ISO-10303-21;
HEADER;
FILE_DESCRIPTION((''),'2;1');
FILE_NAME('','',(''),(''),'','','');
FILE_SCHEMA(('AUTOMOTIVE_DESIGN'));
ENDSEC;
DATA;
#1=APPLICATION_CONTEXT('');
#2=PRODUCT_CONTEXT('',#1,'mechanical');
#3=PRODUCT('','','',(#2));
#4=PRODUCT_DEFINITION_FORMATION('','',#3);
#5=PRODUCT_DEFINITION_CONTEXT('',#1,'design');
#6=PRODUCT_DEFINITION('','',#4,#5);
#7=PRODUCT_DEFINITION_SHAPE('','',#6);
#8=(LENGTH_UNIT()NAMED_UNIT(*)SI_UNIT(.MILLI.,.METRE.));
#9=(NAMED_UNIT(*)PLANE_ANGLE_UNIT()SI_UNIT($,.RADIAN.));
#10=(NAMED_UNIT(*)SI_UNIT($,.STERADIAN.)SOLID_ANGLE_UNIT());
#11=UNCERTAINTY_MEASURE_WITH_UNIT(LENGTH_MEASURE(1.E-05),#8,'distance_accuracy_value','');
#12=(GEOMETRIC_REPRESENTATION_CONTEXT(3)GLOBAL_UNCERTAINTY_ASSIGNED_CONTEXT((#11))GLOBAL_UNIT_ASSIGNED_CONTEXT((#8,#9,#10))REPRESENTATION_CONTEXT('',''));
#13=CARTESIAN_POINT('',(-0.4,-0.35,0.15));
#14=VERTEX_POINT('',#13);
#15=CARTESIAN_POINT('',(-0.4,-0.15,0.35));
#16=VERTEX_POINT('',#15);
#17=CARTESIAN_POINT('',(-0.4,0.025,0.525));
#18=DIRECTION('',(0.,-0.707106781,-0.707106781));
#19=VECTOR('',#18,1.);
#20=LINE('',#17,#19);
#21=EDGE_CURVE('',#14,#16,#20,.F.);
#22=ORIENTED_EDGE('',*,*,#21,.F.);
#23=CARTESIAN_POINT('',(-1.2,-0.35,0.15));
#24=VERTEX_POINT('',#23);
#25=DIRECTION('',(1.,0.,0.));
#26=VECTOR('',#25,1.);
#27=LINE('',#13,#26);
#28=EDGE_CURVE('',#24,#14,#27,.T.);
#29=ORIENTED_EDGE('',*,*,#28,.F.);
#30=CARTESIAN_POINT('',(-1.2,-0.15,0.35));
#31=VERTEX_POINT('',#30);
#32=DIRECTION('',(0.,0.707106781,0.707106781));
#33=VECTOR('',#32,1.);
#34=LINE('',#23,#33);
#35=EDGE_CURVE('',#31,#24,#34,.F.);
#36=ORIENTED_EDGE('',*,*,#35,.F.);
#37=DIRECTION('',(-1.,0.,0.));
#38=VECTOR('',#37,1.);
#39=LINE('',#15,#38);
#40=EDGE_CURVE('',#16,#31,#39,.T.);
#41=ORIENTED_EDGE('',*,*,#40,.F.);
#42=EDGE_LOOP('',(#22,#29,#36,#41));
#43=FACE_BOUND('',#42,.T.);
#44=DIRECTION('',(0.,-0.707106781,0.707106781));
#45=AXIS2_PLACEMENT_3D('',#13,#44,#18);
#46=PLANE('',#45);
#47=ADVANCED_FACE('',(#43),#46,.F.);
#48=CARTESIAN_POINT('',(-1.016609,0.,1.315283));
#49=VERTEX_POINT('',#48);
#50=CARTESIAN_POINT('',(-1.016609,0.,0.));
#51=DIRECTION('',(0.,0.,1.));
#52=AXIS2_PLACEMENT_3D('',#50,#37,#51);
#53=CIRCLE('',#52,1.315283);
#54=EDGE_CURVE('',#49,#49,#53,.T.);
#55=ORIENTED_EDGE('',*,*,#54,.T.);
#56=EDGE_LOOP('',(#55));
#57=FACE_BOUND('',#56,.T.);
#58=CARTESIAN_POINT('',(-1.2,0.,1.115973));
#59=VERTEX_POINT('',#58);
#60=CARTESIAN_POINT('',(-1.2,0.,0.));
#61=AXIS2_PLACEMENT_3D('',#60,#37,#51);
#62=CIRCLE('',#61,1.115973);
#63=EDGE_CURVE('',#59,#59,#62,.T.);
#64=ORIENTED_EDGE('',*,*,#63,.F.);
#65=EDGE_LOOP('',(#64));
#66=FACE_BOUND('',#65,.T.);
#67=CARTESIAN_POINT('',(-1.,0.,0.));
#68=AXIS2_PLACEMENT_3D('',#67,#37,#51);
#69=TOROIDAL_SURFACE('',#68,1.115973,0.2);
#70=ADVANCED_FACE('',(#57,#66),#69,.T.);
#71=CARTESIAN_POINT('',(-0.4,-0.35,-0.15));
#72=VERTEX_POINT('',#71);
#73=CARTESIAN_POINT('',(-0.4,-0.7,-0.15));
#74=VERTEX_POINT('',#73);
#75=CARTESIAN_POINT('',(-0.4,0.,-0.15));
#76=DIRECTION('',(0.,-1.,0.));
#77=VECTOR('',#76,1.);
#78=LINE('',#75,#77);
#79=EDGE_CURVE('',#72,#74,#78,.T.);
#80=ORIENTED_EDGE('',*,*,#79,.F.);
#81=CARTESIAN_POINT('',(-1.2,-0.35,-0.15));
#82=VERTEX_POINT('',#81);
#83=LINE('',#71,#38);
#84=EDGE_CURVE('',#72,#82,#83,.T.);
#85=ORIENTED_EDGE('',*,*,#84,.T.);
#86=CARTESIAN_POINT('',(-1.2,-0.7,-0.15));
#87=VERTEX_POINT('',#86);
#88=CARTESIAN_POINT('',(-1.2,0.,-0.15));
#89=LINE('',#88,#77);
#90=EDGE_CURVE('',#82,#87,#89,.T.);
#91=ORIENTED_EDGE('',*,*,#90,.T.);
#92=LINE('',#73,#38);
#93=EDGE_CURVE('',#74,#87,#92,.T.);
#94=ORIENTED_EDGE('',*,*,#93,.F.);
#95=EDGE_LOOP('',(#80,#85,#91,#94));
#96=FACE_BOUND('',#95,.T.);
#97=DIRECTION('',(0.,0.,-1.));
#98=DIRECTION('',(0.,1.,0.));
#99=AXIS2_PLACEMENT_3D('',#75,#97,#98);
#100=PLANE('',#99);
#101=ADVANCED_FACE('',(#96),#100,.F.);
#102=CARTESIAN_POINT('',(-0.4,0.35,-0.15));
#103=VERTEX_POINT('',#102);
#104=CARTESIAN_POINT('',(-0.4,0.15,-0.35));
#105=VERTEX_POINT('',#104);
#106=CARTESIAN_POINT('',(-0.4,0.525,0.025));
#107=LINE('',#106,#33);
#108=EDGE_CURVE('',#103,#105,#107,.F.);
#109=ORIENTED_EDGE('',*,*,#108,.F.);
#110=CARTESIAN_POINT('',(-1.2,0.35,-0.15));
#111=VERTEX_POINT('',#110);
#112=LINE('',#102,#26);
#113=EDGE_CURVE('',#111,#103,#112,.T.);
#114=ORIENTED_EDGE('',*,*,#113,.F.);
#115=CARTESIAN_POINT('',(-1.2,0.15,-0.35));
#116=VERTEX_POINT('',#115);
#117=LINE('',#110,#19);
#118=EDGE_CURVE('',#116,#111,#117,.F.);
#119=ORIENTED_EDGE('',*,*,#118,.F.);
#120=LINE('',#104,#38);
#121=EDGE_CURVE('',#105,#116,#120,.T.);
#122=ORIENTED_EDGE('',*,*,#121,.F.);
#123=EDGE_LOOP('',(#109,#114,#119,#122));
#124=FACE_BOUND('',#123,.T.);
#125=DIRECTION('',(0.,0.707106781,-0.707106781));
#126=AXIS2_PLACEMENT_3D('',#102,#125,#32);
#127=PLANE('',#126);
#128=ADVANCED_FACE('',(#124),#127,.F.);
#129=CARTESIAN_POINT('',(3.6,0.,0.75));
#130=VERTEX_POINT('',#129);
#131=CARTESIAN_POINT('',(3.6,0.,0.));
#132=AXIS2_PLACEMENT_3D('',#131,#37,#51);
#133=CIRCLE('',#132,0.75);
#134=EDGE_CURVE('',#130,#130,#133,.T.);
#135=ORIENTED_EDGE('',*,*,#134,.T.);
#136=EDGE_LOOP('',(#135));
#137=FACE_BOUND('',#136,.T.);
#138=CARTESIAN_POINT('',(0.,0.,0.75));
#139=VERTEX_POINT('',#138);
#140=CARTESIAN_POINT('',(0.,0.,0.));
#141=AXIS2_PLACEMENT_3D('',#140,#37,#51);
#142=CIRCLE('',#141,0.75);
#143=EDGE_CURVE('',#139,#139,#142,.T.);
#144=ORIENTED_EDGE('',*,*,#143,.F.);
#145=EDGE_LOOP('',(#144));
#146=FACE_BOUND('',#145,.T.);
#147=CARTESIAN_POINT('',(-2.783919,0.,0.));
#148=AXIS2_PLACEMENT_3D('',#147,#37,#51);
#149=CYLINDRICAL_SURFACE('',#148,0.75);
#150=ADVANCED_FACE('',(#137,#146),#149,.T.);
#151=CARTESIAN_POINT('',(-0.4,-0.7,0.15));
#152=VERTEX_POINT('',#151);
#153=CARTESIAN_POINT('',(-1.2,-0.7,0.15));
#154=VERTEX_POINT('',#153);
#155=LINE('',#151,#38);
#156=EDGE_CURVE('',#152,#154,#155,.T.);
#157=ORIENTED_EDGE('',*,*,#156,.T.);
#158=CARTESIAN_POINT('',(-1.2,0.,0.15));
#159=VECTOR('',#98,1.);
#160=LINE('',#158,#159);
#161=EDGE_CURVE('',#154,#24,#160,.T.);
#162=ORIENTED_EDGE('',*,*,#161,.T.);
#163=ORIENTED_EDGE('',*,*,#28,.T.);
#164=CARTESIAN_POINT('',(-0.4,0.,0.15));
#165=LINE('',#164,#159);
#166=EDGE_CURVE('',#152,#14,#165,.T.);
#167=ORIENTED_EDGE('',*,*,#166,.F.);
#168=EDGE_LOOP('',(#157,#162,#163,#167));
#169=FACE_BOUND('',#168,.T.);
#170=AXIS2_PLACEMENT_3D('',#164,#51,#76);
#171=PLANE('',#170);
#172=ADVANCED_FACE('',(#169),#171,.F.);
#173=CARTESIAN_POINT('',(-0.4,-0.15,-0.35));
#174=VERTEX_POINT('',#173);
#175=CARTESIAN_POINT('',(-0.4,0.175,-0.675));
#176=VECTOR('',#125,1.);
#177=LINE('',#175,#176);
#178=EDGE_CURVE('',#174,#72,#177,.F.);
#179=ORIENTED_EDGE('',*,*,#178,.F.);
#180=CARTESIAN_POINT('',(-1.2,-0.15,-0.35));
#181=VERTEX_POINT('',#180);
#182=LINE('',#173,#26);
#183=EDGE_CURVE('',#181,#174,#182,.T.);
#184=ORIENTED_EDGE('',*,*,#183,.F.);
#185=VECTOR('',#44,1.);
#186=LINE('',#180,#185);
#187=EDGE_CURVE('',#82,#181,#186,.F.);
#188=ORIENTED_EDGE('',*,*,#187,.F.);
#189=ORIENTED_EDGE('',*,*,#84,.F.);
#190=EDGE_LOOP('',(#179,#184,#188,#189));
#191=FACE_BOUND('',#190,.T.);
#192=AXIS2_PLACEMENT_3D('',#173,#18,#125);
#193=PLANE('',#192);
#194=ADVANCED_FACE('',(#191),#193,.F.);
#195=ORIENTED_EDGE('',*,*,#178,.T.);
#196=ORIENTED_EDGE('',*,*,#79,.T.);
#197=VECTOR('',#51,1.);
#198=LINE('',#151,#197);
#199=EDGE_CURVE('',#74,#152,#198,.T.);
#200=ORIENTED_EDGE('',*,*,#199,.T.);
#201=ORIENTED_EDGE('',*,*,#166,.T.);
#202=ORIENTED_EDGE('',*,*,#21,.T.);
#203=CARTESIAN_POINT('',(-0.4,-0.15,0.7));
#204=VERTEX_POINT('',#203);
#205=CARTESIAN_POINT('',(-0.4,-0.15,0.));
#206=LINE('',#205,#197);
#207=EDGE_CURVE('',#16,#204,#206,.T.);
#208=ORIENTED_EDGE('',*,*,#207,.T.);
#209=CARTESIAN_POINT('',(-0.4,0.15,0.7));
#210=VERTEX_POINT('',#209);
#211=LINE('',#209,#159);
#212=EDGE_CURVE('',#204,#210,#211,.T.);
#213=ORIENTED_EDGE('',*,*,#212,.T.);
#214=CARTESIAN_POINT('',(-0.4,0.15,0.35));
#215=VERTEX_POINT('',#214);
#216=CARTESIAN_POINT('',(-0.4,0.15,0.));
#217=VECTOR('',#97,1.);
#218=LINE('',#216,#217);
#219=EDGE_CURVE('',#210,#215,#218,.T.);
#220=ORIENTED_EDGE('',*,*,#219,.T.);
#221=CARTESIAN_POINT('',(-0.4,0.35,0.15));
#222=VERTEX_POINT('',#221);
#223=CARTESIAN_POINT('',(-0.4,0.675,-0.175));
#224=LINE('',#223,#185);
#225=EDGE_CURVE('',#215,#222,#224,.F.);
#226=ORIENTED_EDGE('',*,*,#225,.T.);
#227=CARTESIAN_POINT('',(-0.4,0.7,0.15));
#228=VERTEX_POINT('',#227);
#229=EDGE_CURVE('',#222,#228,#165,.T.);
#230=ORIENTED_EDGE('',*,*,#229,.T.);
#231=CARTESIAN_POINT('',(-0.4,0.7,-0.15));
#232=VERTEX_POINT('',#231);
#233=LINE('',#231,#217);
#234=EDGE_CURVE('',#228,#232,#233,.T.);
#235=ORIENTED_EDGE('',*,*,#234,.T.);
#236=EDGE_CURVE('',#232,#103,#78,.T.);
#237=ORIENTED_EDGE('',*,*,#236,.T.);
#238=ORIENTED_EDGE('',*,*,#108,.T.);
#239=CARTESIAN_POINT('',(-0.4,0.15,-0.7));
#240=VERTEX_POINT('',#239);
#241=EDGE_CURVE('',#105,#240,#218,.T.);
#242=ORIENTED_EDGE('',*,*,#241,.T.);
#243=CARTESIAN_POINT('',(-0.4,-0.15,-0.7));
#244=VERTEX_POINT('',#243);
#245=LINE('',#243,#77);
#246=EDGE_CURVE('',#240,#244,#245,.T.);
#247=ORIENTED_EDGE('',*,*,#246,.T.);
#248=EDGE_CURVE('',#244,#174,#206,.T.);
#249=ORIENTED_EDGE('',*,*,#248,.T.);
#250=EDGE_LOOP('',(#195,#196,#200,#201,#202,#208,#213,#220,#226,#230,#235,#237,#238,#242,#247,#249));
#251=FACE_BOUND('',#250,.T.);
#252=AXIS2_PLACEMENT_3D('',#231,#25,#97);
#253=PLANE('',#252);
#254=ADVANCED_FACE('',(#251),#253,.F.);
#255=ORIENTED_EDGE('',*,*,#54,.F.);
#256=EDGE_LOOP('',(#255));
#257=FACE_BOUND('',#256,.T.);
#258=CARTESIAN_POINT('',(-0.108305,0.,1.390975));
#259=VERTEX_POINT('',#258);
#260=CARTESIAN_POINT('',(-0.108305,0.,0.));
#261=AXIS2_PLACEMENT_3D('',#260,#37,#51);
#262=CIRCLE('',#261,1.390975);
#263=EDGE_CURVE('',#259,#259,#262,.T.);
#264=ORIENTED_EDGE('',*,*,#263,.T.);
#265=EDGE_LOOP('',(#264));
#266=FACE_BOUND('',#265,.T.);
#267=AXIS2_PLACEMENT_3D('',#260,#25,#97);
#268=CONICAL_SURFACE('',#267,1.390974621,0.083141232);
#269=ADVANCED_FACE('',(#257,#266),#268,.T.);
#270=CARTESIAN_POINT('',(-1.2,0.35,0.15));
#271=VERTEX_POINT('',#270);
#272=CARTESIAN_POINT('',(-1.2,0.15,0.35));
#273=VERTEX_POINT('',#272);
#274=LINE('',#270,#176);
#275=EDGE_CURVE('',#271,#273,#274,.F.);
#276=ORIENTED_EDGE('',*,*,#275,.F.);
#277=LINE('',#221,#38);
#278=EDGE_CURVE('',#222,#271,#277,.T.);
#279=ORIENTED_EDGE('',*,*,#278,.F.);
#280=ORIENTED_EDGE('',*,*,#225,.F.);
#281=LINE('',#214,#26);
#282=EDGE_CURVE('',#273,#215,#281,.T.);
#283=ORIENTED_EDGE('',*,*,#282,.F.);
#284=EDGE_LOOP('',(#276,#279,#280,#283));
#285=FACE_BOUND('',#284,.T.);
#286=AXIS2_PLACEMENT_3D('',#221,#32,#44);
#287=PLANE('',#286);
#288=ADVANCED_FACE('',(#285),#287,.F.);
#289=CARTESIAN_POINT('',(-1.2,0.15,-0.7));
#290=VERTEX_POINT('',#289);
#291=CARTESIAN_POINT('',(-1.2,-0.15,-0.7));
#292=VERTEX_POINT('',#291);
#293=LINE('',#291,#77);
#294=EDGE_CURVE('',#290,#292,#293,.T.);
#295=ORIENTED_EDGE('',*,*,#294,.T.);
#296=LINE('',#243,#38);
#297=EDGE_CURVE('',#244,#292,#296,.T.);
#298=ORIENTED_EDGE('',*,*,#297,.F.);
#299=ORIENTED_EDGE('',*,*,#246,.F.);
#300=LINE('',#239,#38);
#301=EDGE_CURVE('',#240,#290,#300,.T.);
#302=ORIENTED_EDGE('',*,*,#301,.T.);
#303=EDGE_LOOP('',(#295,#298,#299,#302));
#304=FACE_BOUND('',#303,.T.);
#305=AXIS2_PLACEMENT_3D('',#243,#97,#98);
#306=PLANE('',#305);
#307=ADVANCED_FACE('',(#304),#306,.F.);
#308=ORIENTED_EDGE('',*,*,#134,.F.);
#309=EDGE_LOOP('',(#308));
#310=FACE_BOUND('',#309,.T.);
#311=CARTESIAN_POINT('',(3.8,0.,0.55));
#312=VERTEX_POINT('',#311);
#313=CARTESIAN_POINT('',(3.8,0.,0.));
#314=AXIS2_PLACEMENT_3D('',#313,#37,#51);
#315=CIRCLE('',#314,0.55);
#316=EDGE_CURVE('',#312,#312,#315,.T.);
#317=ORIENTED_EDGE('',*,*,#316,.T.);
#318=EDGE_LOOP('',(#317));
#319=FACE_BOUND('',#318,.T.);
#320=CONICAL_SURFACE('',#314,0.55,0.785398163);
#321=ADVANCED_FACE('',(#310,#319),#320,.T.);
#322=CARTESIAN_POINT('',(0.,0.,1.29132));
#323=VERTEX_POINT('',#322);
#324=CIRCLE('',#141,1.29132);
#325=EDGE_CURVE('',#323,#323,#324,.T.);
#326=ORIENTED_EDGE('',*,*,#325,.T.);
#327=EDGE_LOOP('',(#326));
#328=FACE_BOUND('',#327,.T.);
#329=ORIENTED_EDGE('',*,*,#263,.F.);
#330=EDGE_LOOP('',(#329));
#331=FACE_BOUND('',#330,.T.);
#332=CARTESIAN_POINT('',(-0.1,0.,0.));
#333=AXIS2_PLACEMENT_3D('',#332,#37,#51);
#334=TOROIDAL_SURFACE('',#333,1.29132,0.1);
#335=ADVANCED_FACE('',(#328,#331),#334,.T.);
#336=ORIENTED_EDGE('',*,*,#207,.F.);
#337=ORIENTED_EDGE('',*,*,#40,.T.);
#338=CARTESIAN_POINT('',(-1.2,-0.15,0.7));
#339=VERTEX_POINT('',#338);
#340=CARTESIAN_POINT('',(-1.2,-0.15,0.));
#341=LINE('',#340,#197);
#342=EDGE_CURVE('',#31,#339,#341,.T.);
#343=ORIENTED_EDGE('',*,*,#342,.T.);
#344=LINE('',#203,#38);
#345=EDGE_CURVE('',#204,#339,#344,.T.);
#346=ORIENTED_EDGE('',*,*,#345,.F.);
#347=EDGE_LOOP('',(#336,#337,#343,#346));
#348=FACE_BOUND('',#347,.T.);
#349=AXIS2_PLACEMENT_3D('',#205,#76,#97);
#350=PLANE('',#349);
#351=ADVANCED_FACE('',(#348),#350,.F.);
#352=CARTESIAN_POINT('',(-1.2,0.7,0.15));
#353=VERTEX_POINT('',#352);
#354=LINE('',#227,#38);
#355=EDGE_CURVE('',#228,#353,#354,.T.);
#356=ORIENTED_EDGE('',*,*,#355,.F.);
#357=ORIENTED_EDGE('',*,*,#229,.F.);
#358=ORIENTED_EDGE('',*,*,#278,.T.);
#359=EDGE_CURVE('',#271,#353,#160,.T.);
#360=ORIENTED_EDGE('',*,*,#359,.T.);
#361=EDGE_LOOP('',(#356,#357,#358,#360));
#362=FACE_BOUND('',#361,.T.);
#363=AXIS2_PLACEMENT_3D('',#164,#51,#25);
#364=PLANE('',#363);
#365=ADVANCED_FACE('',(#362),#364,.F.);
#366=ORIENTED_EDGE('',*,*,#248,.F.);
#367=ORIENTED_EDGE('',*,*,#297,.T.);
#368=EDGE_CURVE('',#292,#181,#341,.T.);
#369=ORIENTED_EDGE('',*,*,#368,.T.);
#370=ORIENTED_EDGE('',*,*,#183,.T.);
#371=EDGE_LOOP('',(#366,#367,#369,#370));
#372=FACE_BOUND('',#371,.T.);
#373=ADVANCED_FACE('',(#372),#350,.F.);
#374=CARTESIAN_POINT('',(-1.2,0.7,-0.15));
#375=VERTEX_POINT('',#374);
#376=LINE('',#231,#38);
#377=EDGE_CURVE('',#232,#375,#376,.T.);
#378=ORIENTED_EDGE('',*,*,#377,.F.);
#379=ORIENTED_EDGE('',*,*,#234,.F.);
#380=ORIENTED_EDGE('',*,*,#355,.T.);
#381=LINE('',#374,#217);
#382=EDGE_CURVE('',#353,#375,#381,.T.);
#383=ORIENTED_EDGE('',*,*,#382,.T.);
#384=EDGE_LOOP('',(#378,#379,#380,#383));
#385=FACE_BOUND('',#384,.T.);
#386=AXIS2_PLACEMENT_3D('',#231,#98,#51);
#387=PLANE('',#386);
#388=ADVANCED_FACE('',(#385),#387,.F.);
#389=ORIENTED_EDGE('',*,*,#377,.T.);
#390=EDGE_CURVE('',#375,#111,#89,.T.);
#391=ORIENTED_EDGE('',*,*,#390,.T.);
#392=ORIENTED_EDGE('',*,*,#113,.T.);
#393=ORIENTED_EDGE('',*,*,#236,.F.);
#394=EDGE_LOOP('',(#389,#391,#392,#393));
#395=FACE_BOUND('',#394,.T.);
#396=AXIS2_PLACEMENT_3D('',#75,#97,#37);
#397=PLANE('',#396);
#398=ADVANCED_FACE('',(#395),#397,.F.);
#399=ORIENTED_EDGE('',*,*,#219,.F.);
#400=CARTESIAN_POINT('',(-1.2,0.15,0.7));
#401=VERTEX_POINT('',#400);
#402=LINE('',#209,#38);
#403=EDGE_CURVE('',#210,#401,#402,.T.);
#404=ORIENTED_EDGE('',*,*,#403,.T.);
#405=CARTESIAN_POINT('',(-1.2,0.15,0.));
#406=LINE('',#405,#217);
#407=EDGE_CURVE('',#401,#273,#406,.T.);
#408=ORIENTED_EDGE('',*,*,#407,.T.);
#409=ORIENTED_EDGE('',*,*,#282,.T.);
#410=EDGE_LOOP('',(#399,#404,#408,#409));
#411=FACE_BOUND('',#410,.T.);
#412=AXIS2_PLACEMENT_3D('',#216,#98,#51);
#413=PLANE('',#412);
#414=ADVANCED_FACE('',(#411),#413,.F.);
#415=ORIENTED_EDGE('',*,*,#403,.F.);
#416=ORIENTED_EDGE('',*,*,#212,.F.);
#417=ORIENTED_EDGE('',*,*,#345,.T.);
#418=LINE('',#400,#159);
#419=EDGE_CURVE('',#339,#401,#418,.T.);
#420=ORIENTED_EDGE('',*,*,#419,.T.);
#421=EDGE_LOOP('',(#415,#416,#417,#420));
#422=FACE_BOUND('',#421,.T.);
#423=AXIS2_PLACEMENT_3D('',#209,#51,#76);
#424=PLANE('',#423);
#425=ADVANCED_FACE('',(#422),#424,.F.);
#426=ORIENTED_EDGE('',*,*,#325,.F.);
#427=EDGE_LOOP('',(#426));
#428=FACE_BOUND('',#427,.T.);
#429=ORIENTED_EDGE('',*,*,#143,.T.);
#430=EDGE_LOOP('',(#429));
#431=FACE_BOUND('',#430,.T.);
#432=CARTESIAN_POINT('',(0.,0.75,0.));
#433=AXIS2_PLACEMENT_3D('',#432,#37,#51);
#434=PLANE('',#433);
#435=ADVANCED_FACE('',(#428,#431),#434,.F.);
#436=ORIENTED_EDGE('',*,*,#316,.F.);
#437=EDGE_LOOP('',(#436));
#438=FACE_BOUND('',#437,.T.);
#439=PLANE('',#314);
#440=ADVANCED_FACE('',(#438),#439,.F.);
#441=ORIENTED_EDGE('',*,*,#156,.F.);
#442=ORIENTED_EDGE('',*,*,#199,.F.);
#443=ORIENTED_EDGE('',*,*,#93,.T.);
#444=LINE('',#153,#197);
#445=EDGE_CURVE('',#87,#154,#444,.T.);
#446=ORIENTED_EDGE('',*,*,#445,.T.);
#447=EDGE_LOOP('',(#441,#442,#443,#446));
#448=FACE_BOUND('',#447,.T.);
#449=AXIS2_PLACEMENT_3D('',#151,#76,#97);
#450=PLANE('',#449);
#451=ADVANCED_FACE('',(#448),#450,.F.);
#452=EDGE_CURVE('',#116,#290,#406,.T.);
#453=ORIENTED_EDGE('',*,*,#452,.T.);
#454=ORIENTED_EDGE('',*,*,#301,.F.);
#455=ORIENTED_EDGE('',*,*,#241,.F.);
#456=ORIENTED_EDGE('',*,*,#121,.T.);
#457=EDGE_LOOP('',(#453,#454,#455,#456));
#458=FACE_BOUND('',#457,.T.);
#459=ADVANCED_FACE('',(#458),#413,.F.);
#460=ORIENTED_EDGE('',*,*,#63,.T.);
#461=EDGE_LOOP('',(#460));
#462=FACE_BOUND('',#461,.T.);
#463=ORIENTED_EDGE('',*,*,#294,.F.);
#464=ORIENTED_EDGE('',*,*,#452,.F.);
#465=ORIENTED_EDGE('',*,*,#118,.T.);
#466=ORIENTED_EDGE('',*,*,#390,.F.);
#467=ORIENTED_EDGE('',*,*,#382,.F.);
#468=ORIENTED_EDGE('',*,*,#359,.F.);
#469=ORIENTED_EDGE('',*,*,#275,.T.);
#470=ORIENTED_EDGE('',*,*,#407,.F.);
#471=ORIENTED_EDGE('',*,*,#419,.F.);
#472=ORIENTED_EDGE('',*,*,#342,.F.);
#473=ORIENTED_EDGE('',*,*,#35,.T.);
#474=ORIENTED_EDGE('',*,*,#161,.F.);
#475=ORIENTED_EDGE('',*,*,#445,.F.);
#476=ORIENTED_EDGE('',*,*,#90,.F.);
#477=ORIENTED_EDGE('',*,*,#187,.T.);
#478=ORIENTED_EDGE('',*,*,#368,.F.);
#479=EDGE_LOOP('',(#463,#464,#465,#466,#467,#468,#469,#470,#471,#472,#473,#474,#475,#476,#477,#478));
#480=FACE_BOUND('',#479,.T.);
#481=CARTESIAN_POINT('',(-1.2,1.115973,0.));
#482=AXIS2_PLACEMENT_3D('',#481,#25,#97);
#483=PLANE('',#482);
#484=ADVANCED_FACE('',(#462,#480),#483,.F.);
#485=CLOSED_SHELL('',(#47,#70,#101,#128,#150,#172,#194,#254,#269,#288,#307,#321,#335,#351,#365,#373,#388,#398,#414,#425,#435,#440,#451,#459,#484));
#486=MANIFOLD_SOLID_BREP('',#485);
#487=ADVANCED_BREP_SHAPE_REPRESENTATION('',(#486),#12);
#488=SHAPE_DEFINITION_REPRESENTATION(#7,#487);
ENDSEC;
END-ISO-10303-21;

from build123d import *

# Parameters (mm, degrees)
ESQUISSE2_W                  = 0.3
ESQUISSE2_H                  = 0.7
EXTRUSION1_DEPTH             = 0.8
R_P_TITION_CIRCULAIRE1_COUNT = 4
CHANFREIN1_SIZE              = 0.2


with BuildPart() as part:
    # Esquisse1 → Révolution1 (revolve)
    with BuildSketch(Plane.XY, mode=Mode.PRIVATE) as r_volution1_sk:
        with BuildLine():
            Line((3.8, 0), (3.8, 0.55))
            Line((3.8, 0.55), (3.6, 0.75))
            Line((3.6, 0.75), (0, 0.75))
            Line((0, 0.75), (0, 1.291320045))
            ThreePointArc((0, 1.291320045), (-0.032289051, 1.364908274), (-0.108304548, 1.390974621))
            Line((-0.108304548, 1.390974621), (-1.016609096, 1.315282575))
            ThreePointArc((-1.016609096, 1.315282575), (-1.147176457, 1.251395321), (-1.2, 1.115973424))
            Line((-1.2, 1.115973424), (-1.2, 0))
            Line((-1.2, 0), (3.8, 0))
        make_face()
    revolve(r_volution1_sk.sketch.rotate(Axis((-2.783918663, 0, 0), (1, 0, 0)), 90), axis=Axis((-2.783918663, 0, 0), (1, 0, 0)))  # turned: the seam where the file's is

    # Esquisse2 → Extrusion1 (cut)
    with BuildSketch(Plane.ZY.offset(1.2)):
        with Locations((0, 0.35)):
            Rectangle(ESQUISSE2_W, ESQUISSE2_H)
    extrusion1 = extrude(amount=-EXTRUSION1_DEPTH, mode=Mode.SUBTRACT)

    # Répétition circulaire1: Extrusion1 ×4 about axis
    r_p_tition_circulaire1_axis = Axis((0, 0, 0), (1, 0, 0))
    for i in range(1, R_P_TITION_CIRCULAIRE1_COUNT):
        add(extrusion1.rotate(r_p_tition_circulaire1_axis, i * 360 / R_P_TITION_CIRCULAIRE1_COUNT), mode=Mode.SUBTRACT)

    # Chanfrein1
    chanfrein1_edges = [part.edges().sort_by_distance(p)[0] for p in [
        (-0.8, 0.15, -0.15),
        (-0.8, 0.15, 0.15),
        (-0.8, -0.15, -0.15),
        (-0.8, -0.15, 0.15),
    ]]
    chamfer(chanfrein1_edges, length=CHANFREIN1_SIZE)


solid = part.part
